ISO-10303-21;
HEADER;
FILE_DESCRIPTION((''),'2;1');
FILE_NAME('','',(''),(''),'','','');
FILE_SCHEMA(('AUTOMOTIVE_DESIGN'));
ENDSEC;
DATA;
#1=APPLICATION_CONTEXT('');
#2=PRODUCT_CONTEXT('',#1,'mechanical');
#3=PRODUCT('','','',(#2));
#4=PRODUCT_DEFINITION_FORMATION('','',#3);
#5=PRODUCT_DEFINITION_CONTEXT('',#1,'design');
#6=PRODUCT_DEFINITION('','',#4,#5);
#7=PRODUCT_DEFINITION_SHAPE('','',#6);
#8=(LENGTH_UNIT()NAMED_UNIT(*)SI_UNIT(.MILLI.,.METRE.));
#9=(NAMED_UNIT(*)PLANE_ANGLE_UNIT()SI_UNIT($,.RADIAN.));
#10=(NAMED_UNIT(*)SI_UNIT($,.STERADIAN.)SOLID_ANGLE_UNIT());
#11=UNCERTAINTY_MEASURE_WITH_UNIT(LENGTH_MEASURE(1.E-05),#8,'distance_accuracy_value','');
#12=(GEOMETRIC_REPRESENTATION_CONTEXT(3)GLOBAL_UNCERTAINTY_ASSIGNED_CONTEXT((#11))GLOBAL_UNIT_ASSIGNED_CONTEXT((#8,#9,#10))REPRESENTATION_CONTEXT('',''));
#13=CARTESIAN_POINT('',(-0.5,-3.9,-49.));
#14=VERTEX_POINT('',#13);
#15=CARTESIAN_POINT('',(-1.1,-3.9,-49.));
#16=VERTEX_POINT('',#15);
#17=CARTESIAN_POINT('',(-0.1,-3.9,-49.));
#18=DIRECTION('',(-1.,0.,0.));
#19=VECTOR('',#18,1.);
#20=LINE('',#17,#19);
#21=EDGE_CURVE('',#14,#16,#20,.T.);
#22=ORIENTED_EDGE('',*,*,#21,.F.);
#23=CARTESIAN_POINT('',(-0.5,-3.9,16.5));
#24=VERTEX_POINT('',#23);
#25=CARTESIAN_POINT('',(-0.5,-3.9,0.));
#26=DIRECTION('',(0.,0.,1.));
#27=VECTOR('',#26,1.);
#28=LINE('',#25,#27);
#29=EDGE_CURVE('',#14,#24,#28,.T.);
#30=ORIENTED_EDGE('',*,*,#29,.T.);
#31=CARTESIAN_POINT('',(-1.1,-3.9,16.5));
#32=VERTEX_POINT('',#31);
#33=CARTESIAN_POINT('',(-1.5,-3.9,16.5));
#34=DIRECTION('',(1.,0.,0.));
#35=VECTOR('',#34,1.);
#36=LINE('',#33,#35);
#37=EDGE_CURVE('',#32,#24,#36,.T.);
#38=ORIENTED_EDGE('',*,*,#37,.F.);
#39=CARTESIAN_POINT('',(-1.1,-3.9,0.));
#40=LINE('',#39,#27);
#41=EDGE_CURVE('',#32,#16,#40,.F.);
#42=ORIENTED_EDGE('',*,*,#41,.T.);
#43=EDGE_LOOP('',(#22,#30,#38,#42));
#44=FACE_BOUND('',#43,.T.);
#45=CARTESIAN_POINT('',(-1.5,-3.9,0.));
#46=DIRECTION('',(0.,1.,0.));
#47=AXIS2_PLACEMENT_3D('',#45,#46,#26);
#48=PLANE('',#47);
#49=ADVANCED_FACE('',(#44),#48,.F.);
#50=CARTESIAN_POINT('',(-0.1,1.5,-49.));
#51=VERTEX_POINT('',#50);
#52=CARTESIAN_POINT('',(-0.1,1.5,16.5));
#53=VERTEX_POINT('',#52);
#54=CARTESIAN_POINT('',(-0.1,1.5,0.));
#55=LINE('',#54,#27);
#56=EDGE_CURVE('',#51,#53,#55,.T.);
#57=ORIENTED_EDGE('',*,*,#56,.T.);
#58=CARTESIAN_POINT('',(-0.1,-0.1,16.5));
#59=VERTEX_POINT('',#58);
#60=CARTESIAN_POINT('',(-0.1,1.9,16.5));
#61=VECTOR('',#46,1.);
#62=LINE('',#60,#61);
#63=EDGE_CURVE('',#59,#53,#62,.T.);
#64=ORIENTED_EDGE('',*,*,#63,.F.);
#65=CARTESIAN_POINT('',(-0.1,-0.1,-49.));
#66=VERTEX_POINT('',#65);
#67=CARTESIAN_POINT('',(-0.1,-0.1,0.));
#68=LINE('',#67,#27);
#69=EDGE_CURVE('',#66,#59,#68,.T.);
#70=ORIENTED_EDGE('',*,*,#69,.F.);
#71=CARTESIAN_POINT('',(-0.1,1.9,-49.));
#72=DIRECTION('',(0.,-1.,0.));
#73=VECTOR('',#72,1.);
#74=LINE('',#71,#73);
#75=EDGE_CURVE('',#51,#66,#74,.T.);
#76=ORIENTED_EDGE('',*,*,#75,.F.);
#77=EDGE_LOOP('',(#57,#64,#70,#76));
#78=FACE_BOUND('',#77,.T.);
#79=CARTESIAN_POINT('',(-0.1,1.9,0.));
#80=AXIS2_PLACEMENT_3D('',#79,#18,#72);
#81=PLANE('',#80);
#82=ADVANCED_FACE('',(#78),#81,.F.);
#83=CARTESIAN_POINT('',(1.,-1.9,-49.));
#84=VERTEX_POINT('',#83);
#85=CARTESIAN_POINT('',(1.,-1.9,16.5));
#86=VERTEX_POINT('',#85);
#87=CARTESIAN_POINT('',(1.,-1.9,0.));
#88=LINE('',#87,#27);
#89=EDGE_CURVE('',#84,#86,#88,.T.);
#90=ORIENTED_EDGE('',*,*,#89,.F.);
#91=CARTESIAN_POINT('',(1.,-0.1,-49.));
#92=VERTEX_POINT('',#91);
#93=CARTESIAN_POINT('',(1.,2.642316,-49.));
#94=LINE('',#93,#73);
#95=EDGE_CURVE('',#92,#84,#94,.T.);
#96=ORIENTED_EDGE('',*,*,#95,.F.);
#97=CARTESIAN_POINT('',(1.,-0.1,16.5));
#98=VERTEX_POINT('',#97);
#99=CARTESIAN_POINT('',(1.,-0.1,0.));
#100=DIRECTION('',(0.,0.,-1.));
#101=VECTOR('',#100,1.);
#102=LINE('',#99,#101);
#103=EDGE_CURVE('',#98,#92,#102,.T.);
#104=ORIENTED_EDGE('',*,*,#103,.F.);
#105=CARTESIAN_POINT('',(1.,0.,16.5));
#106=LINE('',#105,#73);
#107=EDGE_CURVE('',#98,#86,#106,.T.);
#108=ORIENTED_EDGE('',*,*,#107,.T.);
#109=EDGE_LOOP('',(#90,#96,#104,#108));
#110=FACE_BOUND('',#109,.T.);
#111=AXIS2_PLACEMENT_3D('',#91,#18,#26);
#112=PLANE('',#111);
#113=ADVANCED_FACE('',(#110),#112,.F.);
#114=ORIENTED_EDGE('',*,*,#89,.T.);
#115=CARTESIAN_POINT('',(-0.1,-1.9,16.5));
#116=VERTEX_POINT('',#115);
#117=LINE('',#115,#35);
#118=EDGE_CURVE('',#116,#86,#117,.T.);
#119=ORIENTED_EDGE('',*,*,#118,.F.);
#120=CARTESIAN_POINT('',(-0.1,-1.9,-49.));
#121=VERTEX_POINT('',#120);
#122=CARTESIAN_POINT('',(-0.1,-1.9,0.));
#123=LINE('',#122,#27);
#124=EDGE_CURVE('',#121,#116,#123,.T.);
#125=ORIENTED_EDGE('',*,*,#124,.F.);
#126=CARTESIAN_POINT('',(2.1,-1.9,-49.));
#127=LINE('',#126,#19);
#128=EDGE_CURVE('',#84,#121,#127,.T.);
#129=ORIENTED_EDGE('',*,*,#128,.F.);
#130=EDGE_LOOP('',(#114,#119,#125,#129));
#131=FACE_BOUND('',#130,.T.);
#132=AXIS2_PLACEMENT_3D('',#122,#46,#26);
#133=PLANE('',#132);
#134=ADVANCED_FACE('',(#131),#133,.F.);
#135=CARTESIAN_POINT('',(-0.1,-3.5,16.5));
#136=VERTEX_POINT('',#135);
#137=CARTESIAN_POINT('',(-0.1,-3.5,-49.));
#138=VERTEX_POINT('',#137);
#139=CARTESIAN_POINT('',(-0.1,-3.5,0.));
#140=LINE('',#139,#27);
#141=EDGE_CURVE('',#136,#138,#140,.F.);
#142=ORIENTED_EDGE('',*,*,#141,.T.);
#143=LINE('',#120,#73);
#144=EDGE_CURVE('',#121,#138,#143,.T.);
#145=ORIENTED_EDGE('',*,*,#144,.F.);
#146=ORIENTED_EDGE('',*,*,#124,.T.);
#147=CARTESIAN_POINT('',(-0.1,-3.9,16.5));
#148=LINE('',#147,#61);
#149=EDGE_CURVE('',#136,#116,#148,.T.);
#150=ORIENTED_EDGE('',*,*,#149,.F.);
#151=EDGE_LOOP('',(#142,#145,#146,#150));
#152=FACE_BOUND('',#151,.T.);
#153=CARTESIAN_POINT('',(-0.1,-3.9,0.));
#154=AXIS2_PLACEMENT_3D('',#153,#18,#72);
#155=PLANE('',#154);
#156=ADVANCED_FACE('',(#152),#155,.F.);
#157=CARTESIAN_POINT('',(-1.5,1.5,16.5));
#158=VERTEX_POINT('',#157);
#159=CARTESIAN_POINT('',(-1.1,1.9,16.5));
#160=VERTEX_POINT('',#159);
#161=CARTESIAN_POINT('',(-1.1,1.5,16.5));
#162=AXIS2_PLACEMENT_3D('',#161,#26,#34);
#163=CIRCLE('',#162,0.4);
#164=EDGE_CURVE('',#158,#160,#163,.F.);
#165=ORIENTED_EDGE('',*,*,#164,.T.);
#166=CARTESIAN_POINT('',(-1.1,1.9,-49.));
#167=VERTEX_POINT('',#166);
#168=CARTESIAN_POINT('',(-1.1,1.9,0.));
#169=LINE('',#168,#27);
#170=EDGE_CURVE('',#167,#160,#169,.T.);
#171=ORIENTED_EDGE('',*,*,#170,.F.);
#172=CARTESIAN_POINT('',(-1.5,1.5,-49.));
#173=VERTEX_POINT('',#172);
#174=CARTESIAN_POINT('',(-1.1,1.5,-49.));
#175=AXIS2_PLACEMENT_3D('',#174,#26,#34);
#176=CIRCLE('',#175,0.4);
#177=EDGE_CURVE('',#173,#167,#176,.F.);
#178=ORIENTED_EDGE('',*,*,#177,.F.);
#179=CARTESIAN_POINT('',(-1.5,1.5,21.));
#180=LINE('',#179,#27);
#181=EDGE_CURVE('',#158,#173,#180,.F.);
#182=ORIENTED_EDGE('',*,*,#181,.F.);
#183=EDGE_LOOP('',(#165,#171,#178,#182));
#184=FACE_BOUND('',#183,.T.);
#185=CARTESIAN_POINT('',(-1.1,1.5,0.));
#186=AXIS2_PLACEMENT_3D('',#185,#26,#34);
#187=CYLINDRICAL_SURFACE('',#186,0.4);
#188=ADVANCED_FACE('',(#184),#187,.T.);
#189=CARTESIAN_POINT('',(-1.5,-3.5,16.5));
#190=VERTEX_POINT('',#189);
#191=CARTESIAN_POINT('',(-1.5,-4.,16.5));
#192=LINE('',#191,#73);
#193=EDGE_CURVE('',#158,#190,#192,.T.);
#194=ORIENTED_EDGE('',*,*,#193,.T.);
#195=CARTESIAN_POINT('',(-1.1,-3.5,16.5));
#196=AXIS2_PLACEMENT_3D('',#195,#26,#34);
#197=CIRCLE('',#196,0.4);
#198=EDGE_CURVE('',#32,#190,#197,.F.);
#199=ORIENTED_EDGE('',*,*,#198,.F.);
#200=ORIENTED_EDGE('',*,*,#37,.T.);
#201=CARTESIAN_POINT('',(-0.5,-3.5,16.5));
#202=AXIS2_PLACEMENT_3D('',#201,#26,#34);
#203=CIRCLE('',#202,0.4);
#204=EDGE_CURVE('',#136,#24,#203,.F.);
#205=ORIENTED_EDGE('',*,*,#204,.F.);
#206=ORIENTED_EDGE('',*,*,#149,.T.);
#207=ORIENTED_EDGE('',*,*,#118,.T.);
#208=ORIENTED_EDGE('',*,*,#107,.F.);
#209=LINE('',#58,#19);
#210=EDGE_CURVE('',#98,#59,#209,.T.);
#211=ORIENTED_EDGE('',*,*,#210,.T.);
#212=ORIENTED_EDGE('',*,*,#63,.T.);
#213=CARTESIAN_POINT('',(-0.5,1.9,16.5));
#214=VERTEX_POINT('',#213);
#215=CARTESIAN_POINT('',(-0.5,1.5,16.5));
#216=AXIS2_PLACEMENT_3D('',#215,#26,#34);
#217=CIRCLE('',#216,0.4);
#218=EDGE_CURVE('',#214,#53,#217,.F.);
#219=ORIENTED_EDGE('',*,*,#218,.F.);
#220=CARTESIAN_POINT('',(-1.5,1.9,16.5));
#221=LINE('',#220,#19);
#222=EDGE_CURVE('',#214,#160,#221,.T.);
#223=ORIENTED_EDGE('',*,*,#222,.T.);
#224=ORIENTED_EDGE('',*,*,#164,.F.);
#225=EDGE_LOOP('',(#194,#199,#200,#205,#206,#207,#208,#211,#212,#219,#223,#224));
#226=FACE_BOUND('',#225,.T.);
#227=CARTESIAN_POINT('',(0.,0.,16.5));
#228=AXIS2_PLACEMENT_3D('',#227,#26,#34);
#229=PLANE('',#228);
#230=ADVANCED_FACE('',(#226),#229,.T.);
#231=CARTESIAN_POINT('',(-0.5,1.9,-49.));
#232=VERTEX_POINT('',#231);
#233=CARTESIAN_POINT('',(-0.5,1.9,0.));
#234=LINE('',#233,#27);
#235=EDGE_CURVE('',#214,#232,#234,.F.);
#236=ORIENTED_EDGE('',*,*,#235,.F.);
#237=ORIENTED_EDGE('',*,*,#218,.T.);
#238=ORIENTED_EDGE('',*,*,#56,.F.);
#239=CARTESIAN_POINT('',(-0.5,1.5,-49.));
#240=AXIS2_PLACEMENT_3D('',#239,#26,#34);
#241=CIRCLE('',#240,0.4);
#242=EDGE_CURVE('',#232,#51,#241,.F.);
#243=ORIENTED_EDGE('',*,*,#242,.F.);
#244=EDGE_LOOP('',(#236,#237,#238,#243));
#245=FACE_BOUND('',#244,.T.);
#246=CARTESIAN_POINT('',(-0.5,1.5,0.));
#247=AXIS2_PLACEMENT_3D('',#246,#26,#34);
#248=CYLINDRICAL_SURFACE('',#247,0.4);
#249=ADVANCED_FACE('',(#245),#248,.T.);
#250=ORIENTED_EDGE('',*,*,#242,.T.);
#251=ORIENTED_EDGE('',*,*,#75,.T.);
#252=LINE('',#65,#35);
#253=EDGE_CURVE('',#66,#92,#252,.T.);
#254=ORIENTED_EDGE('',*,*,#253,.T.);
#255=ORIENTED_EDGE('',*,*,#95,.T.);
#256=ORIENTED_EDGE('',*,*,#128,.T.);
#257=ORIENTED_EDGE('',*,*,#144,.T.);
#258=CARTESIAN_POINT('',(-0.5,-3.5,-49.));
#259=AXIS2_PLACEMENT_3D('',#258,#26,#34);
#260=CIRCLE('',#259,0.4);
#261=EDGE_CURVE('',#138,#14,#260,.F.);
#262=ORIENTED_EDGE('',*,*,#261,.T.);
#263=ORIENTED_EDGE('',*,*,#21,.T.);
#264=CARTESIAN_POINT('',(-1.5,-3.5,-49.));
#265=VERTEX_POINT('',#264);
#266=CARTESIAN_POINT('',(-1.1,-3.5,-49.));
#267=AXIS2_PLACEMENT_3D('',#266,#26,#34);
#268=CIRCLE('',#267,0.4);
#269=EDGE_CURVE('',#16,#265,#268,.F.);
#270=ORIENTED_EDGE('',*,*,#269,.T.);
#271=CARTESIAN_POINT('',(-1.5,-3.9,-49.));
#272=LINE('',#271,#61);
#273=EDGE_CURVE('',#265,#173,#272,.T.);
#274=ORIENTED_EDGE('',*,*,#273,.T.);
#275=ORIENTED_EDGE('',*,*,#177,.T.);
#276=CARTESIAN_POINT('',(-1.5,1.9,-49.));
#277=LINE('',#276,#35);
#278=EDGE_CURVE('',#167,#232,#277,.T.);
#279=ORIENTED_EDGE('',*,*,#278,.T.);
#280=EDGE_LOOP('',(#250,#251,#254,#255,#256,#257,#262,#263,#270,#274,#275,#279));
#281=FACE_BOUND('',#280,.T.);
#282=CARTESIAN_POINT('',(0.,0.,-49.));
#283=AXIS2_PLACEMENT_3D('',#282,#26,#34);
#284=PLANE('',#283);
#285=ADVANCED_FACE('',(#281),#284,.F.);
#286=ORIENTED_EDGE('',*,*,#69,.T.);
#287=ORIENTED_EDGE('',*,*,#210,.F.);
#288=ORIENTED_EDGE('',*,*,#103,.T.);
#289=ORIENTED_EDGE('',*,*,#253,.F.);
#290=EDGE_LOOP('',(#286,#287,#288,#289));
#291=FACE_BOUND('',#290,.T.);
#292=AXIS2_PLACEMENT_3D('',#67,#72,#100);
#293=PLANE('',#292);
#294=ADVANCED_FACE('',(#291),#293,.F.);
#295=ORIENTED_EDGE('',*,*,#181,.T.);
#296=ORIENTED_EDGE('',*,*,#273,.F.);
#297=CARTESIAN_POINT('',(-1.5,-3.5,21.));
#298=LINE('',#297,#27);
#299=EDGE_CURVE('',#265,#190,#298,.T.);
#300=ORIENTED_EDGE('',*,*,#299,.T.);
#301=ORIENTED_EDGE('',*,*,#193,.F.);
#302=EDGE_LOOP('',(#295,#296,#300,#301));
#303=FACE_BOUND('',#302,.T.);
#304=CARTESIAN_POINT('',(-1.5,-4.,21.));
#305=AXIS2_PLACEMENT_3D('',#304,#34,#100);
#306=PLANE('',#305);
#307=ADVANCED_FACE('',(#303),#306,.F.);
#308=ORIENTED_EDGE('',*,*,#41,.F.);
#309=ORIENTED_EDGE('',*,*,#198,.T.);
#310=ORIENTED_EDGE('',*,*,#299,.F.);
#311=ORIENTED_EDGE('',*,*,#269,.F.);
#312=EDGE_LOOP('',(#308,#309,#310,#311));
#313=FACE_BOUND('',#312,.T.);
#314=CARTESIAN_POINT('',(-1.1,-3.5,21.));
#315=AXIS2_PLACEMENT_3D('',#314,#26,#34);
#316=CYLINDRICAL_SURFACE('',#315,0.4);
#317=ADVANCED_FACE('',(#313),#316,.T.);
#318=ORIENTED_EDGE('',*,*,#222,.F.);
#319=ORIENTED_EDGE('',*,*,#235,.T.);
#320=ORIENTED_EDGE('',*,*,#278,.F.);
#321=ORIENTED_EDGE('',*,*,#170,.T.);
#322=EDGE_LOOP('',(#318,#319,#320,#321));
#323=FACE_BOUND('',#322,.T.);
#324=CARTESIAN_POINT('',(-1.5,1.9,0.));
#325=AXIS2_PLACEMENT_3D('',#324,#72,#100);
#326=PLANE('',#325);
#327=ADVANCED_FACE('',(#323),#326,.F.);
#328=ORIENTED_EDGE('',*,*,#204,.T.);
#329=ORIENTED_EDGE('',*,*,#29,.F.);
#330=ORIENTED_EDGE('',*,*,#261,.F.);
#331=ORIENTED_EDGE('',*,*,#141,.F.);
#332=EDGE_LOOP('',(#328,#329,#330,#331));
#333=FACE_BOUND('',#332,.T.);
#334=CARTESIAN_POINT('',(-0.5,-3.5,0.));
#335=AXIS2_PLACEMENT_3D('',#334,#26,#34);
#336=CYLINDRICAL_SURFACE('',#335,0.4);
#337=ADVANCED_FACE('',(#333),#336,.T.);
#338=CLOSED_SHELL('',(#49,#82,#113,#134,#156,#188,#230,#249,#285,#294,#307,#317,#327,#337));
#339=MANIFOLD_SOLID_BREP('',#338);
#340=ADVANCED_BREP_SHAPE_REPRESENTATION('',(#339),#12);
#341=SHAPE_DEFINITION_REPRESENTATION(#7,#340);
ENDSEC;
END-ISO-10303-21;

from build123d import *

# Parameters (mm, degrees)
BOSS_EXTRUDE1_DEPTH = 21
CUT_EXTRUDE1_DEPTH  = 22.662179022
BOSS_EXTRUDE2_DEPTH = 49
FILLET1_R           = 0.4
SKETCH4_W           = 7.390362968
SKETCH4_H           = 6.925637862
CUT_EXTRUDE2_DEPTH  = 4.5
CUT_EXTRUDE3_DEPTH  = 66.709283971


with BuildPart() as part:
    # Sketch1 → Boss-Extrude1 (new body)
    with BuildSketch(Plane.XY):
        Polygon((0, 0), (2, 0), (2, 2), (3.5, 2), (3.5, -4), (2, -4), (2, -2), (0, -2), (0, -4), (-1.5, -4), (-1.5, 2), (0, 2), align=None)
    extrude(amount=BOSS_EXTRUDE1_DEPTH)

    # Sketch2 → Cut-Extrude1 (cut, through all)
    with BuildSketch(Plane.XY.offset(21)):
        Polygon((-1.5, 2), (-1.5, 1.9), (-0.1, 1.9), (-0.1, -0.1), (2.1, -0.1), (2.1, 1.9), (3.5, 1.9), (3.5, 2), align=None)
        Polygon((-1.5, -4), (3.5, -4), (3.5, -3.9), (2.1, -3.9), (2.1, -1.9), (-0.1, -1.9), (-0.1, -3.9), (-1.5, -3.9), align=None)
    extrude(amount=-CUT_EXTRUDE1_DEPTH, mode=Mode.SUBTRACT)

    # Sketch3 → Boss-Extrude2 (add)
    with BuildSketch(Plane(origin=(0, 0, 0), x_dir=(-1, 0, 0), z_dir=(0, 0, -1))):
        Polygon((-2.1, -0.1), (-2.1, 1.9), (-3.5, 1.9), (-3.5, -3.9), (-2.1, -3.9), (-2.1, -1.9), (0.1, -1.9), (0.1, -3.9), (1.5, -3.9), (1.5, 1.9), (0.1, 1.9), (0.1, -0.1), align=None)
    extrude(amount=BOSS_EXTRUDE2_DEPTH)

    # Fillet1
    fillet1_edges = [part.edges().sort_by_distance(p)[0] for p in [
        (3.5, 1.9, -14),
        (2.1, 1.9, -14),
        (-0.1, 1.9, -14),
        (-1.5, 1.9, -14),
        (-1.5, -3.9, -14),
        (-0.1, -3.9, -14),
        (2.1, -3.9, -14),
        (3.5, -3.9, -14),
    ]]
    fillet(fillet1_edges, radius=FILLET1_R)

    # Sketch4 → Cut-Extrude2 (cut)
    with BuildSketch(Plane.XY.offset(21)):
        with Locations((1.359853511, -0.992123471)):
            Rectangle(SKETCH4_W, SKETCH4_H)
    extrude(amount=-CUT_EXTRUDE2_DEPTH, mode=Mode.SUBTRACT)

    # Sketch5 → Cut-Extrude3 (cut, through all)
    with BuildSketch(Plane.XY.offset(16.5)):
        Polygon((1, -0.1), (1, -4.471305572), (4.036871247, -4.471305572), (4.036871247, 2.64231625), (1, 2.64231625), align=None)
    extrude(amount=-CUT_EXTRUDE3_DEPTH, mode=Mode.SUBTRACT)


solid = part.part
